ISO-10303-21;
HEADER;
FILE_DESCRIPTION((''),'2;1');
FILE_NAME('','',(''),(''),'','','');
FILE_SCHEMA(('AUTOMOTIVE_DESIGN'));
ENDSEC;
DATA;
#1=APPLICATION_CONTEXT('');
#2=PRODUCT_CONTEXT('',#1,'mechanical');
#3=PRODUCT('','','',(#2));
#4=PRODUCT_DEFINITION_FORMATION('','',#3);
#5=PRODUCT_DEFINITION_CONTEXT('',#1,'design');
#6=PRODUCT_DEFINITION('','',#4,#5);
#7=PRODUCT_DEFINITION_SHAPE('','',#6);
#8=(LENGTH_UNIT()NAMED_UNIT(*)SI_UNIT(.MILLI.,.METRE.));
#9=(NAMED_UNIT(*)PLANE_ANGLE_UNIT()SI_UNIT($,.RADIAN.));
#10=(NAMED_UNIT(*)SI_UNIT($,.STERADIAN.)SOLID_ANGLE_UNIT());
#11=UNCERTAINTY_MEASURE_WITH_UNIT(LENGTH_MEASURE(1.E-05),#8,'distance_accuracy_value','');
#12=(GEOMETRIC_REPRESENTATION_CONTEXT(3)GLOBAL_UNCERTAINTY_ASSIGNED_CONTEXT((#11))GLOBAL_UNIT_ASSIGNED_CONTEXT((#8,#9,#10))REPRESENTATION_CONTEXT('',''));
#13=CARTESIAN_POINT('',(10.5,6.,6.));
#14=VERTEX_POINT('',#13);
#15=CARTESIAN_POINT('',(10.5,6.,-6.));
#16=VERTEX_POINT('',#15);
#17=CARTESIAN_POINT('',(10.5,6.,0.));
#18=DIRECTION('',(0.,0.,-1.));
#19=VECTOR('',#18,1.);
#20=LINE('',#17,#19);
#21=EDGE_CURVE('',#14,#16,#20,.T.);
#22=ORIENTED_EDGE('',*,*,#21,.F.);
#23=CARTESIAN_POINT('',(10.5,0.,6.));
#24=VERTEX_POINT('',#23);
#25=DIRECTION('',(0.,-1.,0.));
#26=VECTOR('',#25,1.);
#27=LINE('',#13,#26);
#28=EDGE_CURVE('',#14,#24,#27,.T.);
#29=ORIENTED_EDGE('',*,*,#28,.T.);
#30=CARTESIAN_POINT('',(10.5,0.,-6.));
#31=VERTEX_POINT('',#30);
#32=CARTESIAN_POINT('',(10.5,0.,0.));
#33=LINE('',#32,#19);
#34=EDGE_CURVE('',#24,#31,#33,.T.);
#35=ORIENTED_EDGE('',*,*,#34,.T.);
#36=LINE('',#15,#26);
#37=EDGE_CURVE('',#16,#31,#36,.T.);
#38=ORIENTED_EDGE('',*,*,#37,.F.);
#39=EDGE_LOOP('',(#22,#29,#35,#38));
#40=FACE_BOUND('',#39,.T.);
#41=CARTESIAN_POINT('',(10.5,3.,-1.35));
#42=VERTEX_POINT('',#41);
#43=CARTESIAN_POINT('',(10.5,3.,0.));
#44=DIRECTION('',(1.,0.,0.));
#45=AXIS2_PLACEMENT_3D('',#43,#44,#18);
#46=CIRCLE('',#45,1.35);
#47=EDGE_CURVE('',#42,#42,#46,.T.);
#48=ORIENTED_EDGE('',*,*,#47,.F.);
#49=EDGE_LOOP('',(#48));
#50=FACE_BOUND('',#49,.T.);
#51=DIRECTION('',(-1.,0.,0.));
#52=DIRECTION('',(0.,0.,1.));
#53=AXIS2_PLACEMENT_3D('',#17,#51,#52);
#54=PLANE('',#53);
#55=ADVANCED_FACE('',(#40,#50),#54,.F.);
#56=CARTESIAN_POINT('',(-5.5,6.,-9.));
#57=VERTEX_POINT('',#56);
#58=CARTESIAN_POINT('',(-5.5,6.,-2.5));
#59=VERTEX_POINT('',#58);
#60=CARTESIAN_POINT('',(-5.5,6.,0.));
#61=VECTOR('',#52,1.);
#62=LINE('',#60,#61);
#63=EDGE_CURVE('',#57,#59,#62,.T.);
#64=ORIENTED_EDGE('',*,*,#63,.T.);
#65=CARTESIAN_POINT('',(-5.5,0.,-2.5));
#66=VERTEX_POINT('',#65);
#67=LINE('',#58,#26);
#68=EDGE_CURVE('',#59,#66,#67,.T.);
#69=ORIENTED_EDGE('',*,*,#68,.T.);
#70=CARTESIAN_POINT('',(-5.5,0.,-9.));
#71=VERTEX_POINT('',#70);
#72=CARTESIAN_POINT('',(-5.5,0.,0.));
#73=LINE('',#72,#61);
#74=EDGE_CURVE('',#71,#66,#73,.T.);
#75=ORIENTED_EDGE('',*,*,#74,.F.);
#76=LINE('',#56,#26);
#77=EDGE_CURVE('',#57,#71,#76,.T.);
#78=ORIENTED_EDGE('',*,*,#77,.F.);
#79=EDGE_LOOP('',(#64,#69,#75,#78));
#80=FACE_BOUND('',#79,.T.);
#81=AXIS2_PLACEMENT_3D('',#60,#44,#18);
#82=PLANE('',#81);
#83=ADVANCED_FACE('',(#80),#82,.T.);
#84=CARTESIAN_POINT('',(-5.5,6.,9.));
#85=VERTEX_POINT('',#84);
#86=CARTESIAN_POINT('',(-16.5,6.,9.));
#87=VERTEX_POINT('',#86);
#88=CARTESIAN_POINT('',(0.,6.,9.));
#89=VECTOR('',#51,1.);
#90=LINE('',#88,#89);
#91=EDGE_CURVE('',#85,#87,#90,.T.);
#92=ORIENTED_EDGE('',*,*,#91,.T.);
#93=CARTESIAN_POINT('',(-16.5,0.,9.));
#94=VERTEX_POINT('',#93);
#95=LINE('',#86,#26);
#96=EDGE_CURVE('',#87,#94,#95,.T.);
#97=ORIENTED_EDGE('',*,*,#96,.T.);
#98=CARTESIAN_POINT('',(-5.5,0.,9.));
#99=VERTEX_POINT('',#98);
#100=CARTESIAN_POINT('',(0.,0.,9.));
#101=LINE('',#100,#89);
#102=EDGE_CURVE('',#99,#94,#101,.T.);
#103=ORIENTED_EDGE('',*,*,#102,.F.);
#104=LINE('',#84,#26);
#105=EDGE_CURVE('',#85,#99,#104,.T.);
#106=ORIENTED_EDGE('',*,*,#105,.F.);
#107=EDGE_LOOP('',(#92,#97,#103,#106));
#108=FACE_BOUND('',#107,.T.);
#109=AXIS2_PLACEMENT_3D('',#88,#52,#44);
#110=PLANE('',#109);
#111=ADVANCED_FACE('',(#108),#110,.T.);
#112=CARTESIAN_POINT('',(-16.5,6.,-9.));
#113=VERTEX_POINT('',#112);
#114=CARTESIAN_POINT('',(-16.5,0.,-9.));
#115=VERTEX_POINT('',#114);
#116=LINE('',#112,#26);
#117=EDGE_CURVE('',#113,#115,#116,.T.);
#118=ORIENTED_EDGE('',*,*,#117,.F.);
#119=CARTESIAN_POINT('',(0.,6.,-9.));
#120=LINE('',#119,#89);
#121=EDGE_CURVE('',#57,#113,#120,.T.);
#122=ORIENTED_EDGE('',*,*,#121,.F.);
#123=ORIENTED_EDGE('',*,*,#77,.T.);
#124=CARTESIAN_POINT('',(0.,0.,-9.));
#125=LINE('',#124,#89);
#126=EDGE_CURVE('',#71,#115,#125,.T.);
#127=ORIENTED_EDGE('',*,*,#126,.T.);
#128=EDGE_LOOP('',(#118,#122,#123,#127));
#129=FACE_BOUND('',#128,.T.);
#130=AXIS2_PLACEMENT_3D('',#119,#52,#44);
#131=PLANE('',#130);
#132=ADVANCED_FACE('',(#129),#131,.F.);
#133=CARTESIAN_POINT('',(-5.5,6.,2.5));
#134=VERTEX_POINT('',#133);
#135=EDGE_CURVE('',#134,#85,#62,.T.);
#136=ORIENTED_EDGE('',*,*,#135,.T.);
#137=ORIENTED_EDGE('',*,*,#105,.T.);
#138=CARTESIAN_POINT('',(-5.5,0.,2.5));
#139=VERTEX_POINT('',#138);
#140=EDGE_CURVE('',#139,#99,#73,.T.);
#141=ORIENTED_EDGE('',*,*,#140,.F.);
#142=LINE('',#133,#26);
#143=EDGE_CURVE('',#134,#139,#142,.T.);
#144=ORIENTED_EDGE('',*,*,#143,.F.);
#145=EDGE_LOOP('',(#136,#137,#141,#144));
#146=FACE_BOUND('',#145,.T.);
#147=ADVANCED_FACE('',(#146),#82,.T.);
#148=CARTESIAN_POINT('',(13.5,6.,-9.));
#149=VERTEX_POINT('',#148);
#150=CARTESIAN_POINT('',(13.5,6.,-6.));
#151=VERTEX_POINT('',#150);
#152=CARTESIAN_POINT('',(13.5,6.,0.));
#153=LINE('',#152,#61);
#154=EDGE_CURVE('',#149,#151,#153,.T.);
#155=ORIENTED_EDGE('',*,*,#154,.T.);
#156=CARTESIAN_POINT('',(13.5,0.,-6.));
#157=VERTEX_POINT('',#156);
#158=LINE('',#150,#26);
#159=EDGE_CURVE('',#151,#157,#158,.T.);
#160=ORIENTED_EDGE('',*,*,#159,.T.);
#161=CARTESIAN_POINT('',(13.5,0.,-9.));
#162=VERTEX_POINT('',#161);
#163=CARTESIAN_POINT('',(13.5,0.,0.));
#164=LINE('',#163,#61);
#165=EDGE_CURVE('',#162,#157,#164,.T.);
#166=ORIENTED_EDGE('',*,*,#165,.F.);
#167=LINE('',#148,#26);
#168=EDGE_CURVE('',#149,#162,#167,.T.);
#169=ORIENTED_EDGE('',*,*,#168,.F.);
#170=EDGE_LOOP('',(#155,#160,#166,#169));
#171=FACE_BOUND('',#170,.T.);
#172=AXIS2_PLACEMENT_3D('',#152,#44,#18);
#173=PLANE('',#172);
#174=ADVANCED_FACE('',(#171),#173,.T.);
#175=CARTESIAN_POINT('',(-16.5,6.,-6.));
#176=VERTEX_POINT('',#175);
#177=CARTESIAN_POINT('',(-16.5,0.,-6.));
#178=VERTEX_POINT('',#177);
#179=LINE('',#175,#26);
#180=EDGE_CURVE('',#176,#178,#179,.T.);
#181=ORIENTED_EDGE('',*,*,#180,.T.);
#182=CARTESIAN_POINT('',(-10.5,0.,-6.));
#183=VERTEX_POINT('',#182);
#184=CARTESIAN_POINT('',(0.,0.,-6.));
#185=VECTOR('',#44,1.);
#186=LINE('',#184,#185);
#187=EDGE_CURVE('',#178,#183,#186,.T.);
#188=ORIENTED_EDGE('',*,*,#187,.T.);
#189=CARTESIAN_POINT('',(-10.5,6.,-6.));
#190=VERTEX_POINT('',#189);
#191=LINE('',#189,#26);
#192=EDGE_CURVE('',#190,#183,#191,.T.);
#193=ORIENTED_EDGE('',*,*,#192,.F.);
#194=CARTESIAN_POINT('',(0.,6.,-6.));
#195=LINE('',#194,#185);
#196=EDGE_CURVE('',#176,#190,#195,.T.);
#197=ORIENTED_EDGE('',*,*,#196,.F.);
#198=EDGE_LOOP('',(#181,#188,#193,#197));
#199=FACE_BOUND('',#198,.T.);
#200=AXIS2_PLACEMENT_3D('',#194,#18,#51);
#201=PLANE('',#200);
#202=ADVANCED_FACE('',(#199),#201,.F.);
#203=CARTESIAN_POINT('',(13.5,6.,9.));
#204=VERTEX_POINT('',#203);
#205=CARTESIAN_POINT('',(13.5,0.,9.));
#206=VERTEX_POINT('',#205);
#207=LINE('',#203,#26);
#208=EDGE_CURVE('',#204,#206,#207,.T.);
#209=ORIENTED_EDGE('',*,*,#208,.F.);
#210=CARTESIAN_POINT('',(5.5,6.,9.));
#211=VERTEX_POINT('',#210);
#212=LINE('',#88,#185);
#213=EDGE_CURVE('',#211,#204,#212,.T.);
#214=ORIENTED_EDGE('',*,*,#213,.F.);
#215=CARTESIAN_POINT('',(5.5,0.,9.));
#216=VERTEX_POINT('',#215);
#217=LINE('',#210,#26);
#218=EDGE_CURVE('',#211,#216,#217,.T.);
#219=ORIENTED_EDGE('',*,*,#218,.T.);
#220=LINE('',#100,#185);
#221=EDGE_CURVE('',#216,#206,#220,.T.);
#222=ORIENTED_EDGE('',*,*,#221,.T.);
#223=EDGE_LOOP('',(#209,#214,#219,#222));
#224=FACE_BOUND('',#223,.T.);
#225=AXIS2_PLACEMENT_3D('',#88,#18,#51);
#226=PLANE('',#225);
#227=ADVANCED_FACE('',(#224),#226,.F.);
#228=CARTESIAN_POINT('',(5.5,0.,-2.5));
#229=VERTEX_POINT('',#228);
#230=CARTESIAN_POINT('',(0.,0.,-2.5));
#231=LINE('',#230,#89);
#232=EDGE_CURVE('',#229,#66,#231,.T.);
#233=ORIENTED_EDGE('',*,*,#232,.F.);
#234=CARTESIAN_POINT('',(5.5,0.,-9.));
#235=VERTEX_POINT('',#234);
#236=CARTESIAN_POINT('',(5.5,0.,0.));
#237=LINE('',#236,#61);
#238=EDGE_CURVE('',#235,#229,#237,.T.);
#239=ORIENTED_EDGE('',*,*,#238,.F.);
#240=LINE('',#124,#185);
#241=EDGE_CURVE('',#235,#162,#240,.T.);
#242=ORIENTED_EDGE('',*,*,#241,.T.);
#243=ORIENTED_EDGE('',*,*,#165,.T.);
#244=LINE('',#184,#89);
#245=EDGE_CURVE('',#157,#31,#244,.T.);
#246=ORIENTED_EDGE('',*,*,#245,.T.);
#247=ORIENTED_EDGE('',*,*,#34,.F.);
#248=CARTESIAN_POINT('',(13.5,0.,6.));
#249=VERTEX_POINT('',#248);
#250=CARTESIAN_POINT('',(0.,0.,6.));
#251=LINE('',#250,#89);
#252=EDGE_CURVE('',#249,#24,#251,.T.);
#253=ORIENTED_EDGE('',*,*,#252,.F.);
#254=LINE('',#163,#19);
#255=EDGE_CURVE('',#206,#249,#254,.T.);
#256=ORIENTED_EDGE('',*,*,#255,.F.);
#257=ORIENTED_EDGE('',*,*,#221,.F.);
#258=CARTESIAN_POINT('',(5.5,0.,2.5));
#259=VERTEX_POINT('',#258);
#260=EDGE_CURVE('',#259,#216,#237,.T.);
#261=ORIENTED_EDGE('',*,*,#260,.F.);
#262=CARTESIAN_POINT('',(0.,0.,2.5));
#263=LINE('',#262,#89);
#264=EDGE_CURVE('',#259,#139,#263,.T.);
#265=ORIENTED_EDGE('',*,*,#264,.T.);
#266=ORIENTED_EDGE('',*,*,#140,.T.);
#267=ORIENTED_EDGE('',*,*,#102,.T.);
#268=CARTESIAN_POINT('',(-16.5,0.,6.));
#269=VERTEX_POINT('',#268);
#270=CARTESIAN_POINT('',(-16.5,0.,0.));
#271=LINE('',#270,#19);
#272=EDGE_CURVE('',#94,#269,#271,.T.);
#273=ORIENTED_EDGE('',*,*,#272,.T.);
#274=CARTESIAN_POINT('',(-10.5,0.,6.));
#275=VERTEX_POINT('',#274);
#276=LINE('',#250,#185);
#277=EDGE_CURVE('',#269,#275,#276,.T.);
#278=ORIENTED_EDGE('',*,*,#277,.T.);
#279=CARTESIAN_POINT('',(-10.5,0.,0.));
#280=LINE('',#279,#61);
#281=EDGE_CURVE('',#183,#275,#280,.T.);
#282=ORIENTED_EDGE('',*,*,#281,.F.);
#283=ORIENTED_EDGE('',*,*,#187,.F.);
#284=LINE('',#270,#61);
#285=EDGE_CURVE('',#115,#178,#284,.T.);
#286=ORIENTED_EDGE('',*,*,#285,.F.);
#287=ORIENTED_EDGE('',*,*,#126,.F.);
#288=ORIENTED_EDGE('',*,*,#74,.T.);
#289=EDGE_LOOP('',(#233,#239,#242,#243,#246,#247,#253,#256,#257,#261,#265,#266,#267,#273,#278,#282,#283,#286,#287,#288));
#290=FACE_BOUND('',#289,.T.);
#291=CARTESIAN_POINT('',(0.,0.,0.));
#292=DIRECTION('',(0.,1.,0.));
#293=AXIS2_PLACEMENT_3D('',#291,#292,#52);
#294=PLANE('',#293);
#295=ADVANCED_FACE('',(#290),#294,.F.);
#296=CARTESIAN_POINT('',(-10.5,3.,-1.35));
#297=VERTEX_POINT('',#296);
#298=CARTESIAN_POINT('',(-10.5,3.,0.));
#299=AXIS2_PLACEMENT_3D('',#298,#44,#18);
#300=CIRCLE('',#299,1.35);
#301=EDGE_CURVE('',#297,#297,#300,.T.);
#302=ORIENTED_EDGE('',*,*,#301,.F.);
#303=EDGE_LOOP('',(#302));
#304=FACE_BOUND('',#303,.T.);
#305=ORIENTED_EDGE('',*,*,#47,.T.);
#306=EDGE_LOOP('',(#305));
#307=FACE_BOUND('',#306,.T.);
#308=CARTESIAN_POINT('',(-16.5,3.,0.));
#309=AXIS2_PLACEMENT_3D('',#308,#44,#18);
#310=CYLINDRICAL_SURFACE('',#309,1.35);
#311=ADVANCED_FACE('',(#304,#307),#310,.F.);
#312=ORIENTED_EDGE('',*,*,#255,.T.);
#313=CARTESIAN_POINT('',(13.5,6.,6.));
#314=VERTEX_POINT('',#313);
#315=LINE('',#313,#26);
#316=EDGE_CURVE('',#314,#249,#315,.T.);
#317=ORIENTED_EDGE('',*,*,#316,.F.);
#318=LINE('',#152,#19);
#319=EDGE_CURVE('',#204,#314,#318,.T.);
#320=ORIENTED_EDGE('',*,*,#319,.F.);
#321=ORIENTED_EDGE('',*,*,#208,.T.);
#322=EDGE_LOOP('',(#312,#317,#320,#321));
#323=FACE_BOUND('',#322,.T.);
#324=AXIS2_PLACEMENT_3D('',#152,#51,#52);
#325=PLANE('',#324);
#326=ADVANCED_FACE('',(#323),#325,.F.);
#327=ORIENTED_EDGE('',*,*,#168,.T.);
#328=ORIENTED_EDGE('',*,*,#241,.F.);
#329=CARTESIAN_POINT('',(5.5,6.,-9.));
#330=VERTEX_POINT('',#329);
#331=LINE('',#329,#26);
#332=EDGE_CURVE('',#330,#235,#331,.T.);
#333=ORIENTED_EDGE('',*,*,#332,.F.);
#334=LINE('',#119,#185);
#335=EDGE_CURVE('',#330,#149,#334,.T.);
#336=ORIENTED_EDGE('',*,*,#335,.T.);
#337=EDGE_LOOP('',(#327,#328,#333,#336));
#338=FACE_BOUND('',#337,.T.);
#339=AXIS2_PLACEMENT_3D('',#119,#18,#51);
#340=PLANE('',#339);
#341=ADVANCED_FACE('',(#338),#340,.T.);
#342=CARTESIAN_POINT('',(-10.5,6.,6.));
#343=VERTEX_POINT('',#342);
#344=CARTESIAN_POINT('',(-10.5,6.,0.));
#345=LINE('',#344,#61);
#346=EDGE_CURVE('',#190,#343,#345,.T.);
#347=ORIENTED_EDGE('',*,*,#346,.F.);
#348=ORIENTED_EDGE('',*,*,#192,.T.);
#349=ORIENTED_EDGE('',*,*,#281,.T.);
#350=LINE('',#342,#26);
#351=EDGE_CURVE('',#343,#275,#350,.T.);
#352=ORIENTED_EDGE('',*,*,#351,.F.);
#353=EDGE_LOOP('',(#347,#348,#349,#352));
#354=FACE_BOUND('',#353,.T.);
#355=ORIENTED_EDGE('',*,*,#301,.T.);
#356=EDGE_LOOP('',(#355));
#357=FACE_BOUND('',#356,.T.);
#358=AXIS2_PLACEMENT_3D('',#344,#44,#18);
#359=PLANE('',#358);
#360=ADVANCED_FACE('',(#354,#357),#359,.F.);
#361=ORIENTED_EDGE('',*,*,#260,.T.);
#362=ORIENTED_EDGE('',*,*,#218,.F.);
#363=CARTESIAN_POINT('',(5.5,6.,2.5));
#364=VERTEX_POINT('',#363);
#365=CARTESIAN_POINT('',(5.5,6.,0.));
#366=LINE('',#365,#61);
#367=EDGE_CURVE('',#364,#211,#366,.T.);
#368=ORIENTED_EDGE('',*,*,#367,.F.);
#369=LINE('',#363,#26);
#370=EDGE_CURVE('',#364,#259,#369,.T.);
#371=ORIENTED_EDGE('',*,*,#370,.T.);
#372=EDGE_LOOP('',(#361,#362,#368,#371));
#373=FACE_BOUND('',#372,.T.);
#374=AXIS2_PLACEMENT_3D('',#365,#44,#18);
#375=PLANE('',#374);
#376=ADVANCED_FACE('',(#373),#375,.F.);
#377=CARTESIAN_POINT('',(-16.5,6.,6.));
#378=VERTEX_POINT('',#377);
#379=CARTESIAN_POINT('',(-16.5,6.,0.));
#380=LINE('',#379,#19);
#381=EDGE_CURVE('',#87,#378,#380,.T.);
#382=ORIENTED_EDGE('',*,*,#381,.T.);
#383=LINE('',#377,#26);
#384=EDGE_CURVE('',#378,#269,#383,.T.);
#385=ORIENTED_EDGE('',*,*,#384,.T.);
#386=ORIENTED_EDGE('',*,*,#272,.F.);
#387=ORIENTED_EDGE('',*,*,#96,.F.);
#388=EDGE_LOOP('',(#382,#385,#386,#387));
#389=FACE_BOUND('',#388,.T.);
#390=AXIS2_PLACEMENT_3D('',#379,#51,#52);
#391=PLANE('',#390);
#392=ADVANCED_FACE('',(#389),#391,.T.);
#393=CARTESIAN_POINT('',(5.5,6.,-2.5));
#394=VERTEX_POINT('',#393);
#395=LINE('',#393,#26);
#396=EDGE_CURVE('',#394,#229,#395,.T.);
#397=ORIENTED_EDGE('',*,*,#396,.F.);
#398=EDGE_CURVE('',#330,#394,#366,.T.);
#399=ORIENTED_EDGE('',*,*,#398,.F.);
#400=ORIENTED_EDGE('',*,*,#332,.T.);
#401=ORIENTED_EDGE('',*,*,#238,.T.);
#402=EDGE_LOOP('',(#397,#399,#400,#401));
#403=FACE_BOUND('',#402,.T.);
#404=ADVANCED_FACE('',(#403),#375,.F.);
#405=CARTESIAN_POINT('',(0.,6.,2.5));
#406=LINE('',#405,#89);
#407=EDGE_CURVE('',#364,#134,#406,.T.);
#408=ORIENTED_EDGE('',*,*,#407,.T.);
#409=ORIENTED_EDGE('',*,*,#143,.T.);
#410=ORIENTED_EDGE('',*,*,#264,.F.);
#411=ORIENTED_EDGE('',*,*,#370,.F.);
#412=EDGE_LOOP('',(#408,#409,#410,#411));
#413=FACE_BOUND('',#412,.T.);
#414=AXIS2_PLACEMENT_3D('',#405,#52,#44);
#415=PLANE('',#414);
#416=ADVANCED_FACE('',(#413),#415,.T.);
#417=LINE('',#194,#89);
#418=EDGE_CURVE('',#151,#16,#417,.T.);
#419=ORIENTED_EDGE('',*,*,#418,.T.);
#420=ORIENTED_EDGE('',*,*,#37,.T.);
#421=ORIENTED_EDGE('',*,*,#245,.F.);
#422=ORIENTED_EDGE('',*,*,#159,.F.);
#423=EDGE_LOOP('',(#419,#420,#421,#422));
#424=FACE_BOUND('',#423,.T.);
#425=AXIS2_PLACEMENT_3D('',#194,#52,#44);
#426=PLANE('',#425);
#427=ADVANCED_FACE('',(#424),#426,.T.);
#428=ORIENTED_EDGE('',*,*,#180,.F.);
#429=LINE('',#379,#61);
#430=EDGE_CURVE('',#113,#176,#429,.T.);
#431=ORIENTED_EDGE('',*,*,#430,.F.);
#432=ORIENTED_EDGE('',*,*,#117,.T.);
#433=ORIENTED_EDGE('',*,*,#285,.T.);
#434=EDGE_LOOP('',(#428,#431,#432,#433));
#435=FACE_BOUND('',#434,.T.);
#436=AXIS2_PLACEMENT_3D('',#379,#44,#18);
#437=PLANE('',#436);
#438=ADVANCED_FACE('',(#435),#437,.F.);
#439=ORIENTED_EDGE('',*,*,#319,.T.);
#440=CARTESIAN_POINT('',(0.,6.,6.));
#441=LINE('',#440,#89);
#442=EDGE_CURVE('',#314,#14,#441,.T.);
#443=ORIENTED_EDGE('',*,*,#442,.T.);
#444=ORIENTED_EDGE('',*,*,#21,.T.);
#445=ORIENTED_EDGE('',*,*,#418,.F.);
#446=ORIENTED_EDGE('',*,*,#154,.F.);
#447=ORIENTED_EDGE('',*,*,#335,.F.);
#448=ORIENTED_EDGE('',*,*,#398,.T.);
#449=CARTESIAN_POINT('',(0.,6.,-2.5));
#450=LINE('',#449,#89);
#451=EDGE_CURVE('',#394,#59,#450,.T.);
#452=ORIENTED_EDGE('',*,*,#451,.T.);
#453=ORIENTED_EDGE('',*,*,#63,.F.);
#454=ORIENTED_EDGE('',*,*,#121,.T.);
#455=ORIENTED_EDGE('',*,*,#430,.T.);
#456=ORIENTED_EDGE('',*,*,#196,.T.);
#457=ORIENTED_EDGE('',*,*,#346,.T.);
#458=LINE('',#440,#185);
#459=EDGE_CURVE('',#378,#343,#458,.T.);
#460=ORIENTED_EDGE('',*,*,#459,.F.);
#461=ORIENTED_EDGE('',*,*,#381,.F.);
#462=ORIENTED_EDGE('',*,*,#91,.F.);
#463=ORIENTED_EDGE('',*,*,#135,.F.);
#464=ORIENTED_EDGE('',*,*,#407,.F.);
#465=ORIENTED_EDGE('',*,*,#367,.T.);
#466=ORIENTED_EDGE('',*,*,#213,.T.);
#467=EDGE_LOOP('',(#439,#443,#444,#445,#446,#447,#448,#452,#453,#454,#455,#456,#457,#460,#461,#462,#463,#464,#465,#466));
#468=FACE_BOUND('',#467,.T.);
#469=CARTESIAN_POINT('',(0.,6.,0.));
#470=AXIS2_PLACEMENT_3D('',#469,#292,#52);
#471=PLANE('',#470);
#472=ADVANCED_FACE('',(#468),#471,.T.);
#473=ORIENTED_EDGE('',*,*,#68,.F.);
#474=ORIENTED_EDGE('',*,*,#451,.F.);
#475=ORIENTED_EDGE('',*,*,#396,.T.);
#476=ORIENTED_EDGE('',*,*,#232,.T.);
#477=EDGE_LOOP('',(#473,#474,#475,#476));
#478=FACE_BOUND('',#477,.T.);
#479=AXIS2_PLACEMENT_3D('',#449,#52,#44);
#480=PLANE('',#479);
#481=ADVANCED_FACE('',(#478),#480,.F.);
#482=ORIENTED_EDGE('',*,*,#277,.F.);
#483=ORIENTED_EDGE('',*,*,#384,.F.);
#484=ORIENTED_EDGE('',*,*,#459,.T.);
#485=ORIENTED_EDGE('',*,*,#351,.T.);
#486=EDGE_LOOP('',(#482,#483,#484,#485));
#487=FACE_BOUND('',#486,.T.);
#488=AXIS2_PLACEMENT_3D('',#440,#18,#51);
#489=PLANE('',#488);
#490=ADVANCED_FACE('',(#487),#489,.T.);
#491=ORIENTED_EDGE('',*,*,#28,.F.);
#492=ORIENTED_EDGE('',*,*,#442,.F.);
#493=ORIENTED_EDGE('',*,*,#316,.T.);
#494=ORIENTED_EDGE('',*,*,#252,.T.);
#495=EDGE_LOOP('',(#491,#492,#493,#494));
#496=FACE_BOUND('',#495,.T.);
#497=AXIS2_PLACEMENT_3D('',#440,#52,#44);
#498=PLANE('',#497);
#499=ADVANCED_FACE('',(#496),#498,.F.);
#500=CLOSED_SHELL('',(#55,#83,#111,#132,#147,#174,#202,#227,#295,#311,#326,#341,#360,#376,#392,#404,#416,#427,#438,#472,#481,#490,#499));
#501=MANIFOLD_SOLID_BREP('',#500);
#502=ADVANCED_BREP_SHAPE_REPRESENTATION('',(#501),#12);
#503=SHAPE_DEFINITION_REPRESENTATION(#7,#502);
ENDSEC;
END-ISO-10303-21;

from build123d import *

# Parameters (mm, degrees)
BOSS_EXTRUDE1_DEPTH = 6
SKETCH2_R           = 1.35
CUT_EXTRUDE1_DEPTH  = 30.086079144


with BuildPart() as part:
    # Sketch1 → Boss-Extrude1 (new body)
    with BuildSketch(Plane(origin=(0, 0, 0), x_dir=(1, 0, 0), z_dir=(0, 1, 0))):
        Polygon((-5.5, 2.5), (-5.5, 9), (-16.5, 9), (-16.5, 6), (-10.5, 6), (-10.5, 1.847803827), (-10.5, 0), (-10.5, -6), (-16.5, -6), (-16.5, -9), (-5.5, -9), (-5.5, -2.5), (5.5, -2.5), (5.5, -9), (10.5, -9), (13.5, -9), (13.5, -6), (10.5, -6), (10.5, 0), (10.5, 6), (13.5, 6), (13.5, 9), (10.5, 9), (5.5, 9), (5.5, 2.5), align=None)
    extrude(amount=BOSS_EXTRUDE1_DEPTH)

    # Sketch2 → Cut-Extrude1 (cut, through all)
    with BuildSketch(Plane(origin=(10.5, 0, 0), x_dir=(0, 0, -1), z_dir=(1, 0, 0))):
        with Locations((0, 3)):
            Circle(SKETCH2_R)
    extrude(amount=-CUT_EXTRUDE1_DEPTH, mode=Mode.SUBTRACT)


solid = part.part
